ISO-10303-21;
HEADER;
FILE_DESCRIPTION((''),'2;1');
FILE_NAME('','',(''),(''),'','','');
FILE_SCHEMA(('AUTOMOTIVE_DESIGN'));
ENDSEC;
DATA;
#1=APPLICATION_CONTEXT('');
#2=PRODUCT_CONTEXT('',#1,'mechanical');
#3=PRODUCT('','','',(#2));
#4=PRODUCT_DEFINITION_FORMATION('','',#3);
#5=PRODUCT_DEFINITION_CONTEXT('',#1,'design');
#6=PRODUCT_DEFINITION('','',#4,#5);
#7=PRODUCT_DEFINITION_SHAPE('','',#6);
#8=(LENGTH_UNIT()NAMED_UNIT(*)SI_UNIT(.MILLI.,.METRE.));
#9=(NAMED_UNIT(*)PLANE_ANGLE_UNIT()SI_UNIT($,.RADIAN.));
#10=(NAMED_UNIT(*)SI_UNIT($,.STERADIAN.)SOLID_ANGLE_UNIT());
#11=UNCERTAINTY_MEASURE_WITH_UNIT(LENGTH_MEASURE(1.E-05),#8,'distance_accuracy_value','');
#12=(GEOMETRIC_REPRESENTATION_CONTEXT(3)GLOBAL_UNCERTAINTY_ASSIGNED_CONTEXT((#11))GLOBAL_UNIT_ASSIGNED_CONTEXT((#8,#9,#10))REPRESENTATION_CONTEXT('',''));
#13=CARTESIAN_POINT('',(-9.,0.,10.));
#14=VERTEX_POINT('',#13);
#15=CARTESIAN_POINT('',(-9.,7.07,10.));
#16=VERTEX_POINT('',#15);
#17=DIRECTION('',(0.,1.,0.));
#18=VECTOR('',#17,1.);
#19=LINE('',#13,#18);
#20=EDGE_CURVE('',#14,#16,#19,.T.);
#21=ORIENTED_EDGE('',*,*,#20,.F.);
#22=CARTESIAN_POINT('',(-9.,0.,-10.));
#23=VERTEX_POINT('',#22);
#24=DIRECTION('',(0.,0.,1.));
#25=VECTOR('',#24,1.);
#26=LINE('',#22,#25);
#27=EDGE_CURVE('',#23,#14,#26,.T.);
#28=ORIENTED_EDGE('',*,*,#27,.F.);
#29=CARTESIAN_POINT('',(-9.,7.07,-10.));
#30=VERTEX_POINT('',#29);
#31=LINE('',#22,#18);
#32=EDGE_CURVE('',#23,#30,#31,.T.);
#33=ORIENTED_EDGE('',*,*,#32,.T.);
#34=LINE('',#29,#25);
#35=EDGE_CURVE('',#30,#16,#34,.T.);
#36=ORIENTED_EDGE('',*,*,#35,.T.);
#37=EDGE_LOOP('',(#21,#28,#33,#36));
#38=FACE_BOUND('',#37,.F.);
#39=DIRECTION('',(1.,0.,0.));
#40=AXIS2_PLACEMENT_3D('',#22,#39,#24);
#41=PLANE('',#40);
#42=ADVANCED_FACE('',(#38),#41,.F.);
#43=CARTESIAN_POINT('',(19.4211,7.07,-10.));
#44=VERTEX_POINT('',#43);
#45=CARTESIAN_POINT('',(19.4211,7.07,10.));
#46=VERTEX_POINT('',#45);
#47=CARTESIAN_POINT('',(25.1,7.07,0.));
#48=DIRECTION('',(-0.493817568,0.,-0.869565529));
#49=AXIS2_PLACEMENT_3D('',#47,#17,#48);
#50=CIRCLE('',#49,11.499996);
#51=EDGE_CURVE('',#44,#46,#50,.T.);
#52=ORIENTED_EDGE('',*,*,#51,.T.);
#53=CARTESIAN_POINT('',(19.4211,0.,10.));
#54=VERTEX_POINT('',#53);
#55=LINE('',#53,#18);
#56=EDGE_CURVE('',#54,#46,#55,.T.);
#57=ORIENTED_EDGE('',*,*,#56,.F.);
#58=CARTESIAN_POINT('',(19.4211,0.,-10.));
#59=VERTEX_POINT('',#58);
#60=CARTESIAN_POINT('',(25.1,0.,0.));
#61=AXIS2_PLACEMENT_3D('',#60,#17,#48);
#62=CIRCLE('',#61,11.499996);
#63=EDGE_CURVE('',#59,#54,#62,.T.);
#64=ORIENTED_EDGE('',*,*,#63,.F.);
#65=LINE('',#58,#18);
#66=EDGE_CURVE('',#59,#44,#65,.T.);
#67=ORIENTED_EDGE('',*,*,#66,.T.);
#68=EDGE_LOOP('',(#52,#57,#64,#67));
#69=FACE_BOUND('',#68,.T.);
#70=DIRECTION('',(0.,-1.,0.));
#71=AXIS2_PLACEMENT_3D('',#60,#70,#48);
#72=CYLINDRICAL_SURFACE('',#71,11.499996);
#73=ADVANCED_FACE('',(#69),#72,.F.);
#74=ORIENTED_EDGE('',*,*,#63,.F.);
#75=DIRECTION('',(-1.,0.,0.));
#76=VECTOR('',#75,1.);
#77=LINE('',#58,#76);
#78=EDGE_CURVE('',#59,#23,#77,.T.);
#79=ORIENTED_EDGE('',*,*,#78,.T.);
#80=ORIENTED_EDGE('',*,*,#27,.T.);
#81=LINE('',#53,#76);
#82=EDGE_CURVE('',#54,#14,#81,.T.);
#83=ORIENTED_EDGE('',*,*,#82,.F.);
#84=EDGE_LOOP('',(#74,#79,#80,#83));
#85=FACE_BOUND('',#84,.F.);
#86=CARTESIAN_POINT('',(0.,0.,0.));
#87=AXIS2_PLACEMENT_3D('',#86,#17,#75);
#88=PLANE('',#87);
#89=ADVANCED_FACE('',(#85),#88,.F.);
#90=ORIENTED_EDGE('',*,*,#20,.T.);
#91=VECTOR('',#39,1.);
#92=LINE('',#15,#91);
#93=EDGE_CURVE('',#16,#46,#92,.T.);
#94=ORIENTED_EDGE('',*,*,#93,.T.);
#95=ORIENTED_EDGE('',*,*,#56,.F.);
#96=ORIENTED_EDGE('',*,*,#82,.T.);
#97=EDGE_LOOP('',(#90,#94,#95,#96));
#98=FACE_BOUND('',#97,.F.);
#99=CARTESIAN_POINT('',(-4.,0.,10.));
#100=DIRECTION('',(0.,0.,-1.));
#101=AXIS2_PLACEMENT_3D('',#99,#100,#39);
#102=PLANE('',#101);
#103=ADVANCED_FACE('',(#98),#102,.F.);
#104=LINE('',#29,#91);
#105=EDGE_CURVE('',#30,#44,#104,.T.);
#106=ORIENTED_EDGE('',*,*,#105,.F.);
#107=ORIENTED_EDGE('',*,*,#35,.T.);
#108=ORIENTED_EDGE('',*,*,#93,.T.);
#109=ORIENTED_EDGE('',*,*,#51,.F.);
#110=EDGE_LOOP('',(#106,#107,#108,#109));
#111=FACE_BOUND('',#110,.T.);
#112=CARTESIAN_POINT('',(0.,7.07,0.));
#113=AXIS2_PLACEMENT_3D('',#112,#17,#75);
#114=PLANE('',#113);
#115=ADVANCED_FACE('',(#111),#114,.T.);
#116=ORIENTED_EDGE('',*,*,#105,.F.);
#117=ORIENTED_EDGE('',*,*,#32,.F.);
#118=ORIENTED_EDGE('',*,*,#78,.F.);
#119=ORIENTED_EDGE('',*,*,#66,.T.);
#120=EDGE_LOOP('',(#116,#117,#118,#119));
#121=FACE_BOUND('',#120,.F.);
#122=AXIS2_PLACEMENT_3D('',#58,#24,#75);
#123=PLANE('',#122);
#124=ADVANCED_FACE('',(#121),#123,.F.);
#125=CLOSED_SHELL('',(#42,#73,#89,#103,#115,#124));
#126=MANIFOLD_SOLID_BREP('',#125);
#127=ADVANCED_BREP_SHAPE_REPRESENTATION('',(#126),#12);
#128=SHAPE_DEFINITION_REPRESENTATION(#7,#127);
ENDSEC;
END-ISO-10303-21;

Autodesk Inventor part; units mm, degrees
ref_plane "YZ Plane" through (0, 0, 0) normal (1, 0, 0) x (0, 1, 0)
ref_plane "XZ Plane" through (0, 0, 0) normal (0, 1, 0) x (-1, 0, 0)
ref_plane "XY Plane" through (0, 0, 0) normal (0, 0, 1) x (1, 0, 0)
sketch "Sketch1" plane through (0, 0, 0) normal (0, 1, 0) x (-1, 0, 0)
  line L0 (4, 10) -> (-19.4211, 10)
  line L1 (-19.4211, -10) -> (4, -10)
  line L2 (4, -10) -> (4, 10)
  arc A0 (-19.4211, -10) -> (-19.4211, 10) centre (-25.1, 0) ccw
  line L3 (4, -10) -> (9, -10)
  line L4 (9, -10) -> (9, 10)
  line L5 (9, 10) -> (4, 10)
  line L6 (4, 10) -> (4, -10)
  point P0 (0, 0)
  dimension "d0" = 20
  dimension "d2" = 4
  dimension "d3" = 10
  dimension "d6" = 10
  dimension "d7" = 23
  dimension "d8" = 29.1
  dimension "d11" = 23.4211
  dimension "d12" = 20
  dimension "d13" = 5
extrude "Extrusion1" add sketch "Sketch1" along normal blind 7.07
properties part number "3D_printed_part"
